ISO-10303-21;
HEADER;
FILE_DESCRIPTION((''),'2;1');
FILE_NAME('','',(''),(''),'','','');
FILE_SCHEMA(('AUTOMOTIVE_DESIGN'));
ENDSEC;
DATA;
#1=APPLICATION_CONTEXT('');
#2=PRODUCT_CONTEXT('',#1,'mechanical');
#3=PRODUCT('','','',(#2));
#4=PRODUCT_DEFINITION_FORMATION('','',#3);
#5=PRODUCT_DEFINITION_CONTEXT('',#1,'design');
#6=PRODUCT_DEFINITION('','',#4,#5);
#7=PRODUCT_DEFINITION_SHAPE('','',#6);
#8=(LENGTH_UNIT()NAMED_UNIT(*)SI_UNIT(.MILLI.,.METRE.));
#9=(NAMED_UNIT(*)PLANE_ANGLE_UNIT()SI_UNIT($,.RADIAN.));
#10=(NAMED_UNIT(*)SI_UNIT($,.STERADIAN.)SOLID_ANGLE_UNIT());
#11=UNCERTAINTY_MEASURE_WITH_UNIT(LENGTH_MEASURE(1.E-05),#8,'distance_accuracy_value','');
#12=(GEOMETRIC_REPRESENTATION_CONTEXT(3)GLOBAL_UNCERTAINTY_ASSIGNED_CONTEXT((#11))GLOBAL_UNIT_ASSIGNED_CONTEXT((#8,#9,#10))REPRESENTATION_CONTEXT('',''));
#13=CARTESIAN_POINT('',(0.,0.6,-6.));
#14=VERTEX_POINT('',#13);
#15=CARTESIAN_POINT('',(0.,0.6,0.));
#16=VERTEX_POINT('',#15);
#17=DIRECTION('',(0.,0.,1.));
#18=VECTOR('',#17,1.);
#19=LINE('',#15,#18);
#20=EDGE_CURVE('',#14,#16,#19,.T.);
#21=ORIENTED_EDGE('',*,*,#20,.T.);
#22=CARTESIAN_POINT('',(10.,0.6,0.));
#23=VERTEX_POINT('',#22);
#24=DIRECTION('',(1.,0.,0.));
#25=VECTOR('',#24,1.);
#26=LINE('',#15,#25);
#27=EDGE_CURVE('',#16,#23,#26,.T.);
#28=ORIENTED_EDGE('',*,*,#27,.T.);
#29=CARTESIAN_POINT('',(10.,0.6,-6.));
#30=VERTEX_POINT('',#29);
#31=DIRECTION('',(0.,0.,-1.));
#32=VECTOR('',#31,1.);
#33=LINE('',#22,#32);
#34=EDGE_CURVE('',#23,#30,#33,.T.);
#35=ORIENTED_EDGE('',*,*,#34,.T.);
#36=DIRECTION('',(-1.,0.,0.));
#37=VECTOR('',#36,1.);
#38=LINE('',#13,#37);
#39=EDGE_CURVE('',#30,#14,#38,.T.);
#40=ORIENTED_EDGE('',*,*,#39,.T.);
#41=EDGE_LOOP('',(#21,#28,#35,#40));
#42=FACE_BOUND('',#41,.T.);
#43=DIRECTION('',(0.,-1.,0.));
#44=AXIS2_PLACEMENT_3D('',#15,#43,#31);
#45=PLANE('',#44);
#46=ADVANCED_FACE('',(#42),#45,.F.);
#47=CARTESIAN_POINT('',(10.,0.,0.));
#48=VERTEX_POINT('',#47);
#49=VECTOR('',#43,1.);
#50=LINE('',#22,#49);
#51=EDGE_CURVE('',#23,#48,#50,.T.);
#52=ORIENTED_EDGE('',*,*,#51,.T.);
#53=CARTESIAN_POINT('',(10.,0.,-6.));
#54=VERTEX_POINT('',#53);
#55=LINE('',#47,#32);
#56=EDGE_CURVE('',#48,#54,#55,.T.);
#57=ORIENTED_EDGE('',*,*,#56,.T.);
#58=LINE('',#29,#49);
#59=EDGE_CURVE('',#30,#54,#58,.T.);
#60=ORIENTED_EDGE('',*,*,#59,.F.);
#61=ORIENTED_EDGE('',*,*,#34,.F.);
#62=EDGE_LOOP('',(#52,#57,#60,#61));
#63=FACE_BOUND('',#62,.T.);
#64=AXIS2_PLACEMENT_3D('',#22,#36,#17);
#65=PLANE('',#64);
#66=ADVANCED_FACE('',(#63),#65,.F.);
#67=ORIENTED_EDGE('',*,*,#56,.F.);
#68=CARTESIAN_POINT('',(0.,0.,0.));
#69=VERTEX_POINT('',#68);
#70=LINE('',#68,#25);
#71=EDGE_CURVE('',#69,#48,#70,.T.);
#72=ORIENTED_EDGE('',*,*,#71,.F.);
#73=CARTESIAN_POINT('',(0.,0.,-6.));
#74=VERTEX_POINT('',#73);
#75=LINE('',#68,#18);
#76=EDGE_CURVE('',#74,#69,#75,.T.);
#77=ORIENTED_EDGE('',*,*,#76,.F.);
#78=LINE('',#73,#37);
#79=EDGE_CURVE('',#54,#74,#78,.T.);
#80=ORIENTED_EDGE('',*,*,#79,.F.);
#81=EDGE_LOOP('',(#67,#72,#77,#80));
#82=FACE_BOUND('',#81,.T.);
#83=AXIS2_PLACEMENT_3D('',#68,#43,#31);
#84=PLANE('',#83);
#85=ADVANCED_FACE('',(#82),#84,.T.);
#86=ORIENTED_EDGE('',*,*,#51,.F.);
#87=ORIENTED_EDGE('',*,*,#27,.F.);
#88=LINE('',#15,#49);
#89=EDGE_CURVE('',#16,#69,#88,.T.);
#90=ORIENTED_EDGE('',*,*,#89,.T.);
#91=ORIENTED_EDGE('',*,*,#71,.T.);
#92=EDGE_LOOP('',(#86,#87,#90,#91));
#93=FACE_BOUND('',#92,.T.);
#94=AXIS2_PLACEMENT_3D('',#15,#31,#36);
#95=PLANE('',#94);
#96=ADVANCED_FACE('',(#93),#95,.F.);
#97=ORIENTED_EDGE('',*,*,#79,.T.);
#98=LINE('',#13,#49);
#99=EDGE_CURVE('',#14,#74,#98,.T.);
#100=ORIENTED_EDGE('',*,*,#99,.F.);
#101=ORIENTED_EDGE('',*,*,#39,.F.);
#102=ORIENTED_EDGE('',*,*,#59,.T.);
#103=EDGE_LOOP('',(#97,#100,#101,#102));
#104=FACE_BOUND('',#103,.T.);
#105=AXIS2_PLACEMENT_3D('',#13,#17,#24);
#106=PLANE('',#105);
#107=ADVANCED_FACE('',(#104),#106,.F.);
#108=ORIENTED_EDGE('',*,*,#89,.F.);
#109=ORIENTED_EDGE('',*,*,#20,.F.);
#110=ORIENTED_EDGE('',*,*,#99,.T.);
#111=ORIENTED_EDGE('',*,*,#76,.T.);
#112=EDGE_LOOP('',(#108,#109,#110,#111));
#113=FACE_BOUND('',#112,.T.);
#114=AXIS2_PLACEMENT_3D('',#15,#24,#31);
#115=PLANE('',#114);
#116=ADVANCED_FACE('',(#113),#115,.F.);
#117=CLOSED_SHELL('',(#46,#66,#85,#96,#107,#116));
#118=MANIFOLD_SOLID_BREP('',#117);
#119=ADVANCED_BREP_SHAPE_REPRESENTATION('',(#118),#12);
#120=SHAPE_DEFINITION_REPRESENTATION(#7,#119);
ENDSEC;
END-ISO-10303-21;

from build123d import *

# Parameters (mm, degrees)
SKETCH1_W           = 10
SKETCH1_H           = 6
BOSS_EXTRUDE1_DEPTH = 0.6


with BuildPart() as part:
    # Sketch1 → Boss-Extrude1 (new body)
    with BuildSketch(Plane(origin=(0, 0, 0), x_dir=(1, 0, 0), z_dir=(0, 1, 0))):
        with Locations((5, 3)):
            Rectangle(SKETCH1_W, SKETCH1_H)
    extrude(amount=BOSS_EXTRUDE1_DEPTH)


solid = part.part
